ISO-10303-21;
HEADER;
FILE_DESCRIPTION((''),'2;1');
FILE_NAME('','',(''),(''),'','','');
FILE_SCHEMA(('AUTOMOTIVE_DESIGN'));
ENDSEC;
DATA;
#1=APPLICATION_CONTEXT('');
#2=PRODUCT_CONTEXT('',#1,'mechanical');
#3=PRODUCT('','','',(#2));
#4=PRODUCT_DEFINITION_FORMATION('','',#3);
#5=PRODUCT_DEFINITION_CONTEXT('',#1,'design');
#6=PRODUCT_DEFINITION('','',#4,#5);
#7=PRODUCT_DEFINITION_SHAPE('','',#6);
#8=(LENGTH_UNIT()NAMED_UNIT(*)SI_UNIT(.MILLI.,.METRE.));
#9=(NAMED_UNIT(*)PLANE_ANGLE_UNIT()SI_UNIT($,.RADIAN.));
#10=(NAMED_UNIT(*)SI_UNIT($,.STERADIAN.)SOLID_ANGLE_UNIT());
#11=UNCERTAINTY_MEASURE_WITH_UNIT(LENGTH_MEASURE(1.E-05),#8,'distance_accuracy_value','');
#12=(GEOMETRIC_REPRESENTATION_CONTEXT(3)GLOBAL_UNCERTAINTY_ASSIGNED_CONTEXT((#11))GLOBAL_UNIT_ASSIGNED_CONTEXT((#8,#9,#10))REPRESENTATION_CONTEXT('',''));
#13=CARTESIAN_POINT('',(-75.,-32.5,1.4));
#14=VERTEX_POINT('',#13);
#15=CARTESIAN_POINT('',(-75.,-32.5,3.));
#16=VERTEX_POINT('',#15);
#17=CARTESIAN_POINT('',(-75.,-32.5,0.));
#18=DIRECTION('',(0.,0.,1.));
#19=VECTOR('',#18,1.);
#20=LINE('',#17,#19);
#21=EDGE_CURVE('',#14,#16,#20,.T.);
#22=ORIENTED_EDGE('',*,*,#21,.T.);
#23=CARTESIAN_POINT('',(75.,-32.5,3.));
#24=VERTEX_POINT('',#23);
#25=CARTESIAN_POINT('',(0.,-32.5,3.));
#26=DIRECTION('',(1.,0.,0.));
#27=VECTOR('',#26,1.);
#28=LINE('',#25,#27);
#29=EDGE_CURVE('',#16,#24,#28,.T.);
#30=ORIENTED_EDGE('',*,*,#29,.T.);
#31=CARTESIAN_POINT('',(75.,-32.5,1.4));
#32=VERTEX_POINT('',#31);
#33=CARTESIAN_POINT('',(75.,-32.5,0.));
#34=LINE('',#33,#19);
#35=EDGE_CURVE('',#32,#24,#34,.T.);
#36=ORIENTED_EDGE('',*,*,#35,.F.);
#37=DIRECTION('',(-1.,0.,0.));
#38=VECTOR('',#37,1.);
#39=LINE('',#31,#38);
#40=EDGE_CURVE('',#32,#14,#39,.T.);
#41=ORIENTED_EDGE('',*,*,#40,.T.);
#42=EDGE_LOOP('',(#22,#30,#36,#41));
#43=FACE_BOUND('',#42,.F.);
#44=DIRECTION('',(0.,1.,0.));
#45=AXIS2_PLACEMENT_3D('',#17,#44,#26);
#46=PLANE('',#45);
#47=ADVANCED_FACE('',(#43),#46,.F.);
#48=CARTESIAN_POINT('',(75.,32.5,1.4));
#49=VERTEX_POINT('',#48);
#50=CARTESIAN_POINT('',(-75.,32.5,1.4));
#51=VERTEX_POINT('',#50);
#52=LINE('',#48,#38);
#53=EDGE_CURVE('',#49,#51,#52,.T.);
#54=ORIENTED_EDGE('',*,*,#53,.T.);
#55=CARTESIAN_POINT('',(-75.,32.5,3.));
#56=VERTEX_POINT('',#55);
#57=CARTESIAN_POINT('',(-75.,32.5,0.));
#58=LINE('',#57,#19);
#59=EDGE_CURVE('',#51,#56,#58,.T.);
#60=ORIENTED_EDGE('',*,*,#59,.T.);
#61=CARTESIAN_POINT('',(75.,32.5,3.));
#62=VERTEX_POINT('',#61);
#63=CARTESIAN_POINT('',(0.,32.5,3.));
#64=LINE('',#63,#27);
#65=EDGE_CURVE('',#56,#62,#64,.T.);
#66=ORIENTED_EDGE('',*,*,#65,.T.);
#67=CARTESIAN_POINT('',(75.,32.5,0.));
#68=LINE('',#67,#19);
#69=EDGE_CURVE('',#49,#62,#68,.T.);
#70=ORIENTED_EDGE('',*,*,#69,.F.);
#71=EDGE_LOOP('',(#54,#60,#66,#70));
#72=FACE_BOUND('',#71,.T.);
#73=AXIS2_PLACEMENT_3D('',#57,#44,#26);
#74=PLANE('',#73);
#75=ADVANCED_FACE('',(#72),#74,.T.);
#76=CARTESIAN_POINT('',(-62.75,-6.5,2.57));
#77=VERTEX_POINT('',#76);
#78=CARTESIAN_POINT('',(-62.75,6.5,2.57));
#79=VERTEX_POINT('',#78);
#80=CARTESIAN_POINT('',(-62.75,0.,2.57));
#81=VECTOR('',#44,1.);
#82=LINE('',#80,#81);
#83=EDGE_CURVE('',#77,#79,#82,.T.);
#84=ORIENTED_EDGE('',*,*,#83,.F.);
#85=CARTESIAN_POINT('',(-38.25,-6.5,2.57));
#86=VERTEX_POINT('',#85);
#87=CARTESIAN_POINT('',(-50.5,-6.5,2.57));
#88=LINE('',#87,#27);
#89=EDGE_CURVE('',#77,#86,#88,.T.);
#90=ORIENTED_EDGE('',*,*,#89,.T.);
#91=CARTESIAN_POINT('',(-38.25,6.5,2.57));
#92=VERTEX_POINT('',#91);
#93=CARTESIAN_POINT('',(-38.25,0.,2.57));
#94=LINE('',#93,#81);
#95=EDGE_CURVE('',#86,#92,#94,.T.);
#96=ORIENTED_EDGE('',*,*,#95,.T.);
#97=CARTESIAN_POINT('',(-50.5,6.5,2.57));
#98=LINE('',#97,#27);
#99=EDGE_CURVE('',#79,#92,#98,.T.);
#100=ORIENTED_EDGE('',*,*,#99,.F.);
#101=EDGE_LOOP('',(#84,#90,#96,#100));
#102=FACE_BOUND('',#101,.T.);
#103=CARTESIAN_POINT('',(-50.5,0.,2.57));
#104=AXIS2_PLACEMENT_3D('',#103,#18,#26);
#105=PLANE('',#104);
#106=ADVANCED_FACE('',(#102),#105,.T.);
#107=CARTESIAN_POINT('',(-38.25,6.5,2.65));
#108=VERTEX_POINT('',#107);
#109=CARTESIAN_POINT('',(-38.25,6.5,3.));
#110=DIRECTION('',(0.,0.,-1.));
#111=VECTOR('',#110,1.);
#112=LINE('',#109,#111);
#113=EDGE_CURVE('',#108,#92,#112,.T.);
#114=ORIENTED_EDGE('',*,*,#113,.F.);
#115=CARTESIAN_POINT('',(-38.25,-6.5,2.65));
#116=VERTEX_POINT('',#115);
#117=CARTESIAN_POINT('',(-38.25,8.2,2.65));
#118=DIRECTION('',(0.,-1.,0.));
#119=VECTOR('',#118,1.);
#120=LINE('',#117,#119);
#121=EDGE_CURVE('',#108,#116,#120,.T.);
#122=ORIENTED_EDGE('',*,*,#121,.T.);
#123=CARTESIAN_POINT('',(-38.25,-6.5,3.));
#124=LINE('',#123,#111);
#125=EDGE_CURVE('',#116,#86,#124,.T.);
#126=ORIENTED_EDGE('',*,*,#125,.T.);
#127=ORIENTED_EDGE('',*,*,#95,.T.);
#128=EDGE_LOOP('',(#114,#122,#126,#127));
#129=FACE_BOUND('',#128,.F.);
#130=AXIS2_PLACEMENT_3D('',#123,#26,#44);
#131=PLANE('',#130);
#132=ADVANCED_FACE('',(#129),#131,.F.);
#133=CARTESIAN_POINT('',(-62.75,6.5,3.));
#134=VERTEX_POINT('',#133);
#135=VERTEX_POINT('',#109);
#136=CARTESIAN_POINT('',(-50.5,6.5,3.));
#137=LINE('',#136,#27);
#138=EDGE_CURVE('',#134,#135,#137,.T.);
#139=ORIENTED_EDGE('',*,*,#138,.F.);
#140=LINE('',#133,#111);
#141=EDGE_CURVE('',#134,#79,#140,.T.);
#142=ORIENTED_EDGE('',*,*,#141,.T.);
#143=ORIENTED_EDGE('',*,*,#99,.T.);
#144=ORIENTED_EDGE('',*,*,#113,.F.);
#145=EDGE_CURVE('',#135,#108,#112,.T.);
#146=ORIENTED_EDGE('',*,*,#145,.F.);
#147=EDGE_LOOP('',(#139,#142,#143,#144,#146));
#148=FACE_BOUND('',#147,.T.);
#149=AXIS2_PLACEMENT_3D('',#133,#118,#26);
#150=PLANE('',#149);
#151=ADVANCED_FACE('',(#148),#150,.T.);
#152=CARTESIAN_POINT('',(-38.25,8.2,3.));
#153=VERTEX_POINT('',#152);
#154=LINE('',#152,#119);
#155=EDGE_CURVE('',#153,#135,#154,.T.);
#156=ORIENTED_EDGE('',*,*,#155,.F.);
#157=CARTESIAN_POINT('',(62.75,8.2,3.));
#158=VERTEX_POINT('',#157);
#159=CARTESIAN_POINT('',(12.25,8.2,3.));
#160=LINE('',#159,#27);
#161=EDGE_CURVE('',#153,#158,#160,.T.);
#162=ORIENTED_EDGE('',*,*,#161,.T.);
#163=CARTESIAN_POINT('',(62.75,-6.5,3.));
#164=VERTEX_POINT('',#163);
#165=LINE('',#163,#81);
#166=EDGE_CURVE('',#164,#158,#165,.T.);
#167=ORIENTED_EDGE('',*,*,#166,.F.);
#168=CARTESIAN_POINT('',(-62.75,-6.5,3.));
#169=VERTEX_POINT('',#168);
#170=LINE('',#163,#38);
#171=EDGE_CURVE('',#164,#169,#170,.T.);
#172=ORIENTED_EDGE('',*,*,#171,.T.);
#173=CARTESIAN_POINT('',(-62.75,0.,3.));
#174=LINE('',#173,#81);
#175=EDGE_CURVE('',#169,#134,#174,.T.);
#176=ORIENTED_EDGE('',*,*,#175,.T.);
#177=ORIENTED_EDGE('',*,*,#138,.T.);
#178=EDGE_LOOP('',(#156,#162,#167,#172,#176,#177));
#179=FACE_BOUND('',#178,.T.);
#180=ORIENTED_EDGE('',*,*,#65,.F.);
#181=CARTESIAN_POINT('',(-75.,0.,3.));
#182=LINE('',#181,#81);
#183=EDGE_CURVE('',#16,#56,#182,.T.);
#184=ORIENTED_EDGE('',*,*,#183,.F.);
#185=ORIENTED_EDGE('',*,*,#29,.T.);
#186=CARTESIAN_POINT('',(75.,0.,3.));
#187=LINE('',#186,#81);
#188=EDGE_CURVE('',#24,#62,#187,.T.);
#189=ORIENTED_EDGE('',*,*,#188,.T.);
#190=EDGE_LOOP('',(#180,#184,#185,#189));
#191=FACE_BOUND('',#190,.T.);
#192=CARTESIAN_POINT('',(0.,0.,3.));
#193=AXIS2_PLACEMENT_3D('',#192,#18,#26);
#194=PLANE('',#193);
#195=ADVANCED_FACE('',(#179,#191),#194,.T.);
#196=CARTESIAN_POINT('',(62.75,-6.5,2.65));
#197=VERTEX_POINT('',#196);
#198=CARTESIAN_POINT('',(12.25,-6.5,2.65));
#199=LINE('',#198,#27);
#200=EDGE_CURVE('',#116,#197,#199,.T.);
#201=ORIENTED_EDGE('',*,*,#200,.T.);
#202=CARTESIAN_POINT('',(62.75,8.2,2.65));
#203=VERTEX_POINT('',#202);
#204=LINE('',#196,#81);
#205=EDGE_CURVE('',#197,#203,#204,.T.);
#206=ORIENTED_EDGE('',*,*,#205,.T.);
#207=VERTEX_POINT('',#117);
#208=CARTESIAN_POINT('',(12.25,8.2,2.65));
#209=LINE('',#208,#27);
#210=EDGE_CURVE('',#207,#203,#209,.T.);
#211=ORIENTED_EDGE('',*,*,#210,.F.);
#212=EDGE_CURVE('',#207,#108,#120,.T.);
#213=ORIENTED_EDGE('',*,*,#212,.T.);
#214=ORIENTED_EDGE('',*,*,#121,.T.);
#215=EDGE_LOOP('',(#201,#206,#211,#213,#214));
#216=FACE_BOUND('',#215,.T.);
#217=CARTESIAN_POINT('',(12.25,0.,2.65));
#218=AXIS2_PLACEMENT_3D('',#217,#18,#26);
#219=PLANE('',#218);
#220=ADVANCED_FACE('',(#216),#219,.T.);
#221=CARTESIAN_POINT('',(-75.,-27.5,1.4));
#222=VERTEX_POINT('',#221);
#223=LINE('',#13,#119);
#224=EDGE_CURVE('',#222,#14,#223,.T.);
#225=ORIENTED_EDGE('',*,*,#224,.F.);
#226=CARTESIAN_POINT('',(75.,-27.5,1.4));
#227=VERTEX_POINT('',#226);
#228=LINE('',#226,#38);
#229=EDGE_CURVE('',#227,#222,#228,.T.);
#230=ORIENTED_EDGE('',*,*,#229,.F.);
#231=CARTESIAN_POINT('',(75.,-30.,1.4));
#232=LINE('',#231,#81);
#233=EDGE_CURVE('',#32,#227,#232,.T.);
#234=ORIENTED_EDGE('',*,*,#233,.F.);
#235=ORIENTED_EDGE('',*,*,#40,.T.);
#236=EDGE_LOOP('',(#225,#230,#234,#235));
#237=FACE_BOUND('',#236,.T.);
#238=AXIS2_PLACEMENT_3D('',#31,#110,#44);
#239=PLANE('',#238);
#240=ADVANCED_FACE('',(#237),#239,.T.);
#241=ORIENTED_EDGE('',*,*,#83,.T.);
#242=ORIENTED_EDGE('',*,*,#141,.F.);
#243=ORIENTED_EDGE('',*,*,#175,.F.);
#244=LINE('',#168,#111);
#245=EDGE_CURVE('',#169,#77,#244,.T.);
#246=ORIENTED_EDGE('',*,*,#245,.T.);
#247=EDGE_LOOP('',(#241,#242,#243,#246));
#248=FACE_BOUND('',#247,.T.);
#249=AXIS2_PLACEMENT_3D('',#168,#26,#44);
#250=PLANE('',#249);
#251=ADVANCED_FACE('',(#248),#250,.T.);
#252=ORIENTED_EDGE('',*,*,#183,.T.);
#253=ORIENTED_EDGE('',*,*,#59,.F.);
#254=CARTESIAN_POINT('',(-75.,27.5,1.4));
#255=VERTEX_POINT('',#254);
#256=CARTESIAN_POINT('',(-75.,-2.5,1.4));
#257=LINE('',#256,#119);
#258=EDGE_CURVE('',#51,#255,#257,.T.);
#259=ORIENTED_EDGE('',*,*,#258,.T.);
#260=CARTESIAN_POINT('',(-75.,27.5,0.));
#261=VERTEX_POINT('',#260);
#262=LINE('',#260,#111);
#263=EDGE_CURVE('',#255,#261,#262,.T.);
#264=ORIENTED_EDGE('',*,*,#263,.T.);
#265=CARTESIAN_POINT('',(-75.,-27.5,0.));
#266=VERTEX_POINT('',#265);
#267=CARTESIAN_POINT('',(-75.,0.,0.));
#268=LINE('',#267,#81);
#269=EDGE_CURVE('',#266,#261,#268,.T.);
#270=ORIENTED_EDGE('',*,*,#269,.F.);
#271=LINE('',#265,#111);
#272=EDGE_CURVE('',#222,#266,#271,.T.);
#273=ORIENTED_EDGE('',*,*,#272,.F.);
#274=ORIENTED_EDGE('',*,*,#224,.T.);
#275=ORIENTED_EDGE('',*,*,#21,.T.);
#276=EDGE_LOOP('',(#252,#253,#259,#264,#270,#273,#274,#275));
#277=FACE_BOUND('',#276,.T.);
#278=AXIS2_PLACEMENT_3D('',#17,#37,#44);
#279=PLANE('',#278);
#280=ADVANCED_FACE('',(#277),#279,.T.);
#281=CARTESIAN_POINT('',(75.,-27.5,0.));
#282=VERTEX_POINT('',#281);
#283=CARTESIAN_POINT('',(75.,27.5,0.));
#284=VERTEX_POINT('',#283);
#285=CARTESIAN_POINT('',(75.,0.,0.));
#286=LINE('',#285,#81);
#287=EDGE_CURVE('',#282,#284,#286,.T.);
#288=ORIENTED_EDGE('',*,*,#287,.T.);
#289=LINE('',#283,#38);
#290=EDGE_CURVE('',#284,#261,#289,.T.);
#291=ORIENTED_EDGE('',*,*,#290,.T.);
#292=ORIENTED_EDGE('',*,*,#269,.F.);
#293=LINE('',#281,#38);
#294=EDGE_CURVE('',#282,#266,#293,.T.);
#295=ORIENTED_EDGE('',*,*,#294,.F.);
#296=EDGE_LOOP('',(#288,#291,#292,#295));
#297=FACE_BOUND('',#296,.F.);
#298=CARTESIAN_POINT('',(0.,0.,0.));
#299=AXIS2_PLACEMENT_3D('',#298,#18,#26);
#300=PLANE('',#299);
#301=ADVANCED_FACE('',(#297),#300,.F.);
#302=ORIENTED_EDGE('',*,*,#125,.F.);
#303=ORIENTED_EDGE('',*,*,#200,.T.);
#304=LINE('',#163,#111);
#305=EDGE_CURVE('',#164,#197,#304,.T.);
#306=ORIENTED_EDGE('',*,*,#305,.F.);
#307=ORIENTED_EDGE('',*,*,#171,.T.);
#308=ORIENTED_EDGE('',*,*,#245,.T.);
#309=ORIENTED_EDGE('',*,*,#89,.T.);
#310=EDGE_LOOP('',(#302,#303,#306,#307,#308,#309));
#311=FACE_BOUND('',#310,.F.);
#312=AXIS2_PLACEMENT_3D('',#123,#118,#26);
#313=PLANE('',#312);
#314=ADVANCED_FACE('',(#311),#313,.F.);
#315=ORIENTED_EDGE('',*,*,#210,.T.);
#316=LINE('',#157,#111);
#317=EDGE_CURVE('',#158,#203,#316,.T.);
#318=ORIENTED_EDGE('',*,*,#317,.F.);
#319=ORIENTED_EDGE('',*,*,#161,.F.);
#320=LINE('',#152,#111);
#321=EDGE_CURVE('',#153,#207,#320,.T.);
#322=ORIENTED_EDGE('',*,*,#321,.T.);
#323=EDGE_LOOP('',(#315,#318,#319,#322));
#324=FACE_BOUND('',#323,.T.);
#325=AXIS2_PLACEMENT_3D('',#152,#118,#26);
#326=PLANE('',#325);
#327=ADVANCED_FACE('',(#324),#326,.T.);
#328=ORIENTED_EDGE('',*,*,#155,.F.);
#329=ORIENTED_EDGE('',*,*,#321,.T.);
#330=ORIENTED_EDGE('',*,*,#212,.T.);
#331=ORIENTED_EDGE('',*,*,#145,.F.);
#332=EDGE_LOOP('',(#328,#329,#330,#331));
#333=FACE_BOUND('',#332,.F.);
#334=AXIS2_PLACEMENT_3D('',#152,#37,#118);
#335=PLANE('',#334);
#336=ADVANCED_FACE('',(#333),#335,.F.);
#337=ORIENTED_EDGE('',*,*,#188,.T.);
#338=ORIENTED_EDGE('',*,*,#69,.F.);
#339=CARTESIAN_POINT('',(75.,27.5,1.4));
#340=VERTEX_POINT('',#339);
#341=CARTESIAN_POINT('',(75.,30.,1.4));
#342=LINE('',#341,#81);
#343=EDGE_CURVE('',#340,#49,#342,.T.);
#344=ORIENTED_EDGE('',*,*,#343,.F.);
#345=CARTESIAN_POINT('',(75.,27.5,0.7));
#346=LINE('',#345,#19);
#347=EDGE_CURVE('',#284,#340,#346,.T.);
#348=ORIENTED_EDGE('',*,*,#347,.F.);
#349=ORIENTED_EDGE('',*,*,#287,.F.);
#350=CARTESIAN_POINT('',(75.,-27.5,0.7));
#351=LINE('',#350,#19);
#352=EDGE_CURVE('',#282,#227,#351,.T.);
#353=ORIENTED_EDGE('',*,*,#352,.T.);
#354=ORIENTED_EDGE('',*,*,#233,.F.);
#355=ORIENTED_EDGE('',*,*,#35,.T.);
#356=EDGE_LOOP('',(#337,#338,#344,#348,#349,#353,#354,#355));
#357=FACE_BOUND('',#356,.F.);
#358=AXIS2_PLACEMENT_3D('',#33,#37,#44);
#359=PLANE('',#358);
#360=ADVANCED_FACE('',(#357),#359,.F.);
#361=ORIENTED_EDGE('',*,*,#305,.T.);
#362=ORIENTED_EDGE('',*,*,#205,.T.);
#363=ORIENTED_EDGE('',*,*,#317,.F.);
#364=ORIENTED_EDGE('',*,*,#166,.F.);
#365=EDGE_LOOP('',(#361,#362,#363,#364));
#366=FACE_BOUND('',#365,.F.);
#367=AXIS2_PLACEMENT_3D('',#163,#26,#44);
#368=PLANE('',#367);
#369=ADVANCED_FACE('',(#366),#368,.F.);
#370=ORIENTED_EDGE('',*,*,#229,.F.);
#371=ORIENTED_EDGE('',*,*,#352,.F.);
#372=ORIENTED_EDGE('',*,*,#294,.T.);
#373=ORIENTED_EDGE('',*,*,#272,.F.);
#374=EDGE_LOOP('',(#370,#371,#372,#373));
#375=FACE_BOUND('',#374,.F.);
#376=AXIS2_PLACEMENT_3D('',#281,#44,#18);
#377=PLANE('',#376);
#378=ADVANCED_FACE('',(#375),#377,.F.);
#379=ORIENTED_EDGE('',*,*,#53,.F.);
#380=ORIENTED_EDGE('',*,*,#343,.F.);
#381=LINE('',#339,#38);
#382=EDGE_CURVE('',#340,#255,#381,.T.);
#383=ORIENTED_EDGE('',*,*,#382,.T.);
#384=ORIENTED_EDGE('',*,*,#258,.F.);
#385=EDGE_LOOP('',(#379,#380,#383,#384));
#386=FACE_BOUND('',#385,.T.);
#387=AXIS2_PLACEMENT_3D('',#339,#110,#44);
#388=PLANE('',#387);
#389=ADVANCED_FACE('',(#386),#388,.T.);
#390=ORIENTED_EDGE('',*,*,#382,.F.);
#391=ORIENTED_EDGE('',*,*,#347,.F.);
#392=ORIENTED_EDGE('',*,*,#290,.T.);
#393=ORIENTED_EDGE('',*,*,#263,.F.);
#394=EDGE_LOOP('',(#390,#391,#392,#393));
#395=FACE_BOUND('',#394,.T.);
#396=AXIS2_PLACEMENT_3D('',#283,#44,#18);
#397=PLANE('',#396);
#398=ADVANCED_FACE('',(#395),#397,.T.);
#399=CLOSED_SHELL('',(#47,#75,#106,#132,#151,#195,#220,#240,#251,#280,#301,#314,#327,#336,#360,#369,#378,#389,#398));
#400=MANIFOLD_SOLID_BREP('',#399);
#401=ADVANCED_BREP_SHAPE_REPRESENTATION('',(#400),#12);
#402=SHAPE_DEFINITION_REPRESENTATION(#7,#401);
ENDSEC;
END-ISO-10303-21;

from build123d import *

# Parameters (mm, degrees)
F0_W     = 150
F0_H     = 65
F1_DEPTH = 3
F3_W     = 5
F3_H     = 1.4
F4_DEPTH = 150.001
F2_W     = 101
F2_H     = 13
F2_H_2   = 1.7
F5_DEPTH = 0.35
F2_W_2   = 24.5
F6_DEPTH = 0.43


with BuildPart() as f1:
    # F0 (on Top) → F1 (new body)
    with BuildSketch(Plane.XY):
        Rectangle(F0_W, F0_H)
    extrude(amount=F1_DEPTH)

    # F3 (on face) → F4 (cut, through all)
    with BuildSketch(Plane.YZ.offset(75)):
        with Locations((-30, 0.7)):
            Rectangle(F3_W, F3_H)
        with Locations((30, 0.7)):
            Rectangle(F3_W, F3_H)
    extrude(amount=-F4_DEPTH, mode=Mode.SUBTRACT)

    # F2 (on face) → F5 (cut)
    with BuildSketch(Plane.XY.offset(3)):
        with Locations((12.25, 0)):
            Rectangle(F2_W, F2_H)
        with Locations((12.25, 7.35)):
            Rectangle(F2_W, F2_H_2)
    extrude(amount=-F5_DEPTH, mode=Mode.SUBTRACT)

    # F2 (on face) → F6 (cut)
    with BuildSketch(Plane.XY.offset(3)):
        with Locations((-50.5, 0)):
            Rectangle(F2_W_2, F2_H)
    extrude(amount=-F6_DEPTH, mode=Mode.SUBTRACT)


solid = f1.part
